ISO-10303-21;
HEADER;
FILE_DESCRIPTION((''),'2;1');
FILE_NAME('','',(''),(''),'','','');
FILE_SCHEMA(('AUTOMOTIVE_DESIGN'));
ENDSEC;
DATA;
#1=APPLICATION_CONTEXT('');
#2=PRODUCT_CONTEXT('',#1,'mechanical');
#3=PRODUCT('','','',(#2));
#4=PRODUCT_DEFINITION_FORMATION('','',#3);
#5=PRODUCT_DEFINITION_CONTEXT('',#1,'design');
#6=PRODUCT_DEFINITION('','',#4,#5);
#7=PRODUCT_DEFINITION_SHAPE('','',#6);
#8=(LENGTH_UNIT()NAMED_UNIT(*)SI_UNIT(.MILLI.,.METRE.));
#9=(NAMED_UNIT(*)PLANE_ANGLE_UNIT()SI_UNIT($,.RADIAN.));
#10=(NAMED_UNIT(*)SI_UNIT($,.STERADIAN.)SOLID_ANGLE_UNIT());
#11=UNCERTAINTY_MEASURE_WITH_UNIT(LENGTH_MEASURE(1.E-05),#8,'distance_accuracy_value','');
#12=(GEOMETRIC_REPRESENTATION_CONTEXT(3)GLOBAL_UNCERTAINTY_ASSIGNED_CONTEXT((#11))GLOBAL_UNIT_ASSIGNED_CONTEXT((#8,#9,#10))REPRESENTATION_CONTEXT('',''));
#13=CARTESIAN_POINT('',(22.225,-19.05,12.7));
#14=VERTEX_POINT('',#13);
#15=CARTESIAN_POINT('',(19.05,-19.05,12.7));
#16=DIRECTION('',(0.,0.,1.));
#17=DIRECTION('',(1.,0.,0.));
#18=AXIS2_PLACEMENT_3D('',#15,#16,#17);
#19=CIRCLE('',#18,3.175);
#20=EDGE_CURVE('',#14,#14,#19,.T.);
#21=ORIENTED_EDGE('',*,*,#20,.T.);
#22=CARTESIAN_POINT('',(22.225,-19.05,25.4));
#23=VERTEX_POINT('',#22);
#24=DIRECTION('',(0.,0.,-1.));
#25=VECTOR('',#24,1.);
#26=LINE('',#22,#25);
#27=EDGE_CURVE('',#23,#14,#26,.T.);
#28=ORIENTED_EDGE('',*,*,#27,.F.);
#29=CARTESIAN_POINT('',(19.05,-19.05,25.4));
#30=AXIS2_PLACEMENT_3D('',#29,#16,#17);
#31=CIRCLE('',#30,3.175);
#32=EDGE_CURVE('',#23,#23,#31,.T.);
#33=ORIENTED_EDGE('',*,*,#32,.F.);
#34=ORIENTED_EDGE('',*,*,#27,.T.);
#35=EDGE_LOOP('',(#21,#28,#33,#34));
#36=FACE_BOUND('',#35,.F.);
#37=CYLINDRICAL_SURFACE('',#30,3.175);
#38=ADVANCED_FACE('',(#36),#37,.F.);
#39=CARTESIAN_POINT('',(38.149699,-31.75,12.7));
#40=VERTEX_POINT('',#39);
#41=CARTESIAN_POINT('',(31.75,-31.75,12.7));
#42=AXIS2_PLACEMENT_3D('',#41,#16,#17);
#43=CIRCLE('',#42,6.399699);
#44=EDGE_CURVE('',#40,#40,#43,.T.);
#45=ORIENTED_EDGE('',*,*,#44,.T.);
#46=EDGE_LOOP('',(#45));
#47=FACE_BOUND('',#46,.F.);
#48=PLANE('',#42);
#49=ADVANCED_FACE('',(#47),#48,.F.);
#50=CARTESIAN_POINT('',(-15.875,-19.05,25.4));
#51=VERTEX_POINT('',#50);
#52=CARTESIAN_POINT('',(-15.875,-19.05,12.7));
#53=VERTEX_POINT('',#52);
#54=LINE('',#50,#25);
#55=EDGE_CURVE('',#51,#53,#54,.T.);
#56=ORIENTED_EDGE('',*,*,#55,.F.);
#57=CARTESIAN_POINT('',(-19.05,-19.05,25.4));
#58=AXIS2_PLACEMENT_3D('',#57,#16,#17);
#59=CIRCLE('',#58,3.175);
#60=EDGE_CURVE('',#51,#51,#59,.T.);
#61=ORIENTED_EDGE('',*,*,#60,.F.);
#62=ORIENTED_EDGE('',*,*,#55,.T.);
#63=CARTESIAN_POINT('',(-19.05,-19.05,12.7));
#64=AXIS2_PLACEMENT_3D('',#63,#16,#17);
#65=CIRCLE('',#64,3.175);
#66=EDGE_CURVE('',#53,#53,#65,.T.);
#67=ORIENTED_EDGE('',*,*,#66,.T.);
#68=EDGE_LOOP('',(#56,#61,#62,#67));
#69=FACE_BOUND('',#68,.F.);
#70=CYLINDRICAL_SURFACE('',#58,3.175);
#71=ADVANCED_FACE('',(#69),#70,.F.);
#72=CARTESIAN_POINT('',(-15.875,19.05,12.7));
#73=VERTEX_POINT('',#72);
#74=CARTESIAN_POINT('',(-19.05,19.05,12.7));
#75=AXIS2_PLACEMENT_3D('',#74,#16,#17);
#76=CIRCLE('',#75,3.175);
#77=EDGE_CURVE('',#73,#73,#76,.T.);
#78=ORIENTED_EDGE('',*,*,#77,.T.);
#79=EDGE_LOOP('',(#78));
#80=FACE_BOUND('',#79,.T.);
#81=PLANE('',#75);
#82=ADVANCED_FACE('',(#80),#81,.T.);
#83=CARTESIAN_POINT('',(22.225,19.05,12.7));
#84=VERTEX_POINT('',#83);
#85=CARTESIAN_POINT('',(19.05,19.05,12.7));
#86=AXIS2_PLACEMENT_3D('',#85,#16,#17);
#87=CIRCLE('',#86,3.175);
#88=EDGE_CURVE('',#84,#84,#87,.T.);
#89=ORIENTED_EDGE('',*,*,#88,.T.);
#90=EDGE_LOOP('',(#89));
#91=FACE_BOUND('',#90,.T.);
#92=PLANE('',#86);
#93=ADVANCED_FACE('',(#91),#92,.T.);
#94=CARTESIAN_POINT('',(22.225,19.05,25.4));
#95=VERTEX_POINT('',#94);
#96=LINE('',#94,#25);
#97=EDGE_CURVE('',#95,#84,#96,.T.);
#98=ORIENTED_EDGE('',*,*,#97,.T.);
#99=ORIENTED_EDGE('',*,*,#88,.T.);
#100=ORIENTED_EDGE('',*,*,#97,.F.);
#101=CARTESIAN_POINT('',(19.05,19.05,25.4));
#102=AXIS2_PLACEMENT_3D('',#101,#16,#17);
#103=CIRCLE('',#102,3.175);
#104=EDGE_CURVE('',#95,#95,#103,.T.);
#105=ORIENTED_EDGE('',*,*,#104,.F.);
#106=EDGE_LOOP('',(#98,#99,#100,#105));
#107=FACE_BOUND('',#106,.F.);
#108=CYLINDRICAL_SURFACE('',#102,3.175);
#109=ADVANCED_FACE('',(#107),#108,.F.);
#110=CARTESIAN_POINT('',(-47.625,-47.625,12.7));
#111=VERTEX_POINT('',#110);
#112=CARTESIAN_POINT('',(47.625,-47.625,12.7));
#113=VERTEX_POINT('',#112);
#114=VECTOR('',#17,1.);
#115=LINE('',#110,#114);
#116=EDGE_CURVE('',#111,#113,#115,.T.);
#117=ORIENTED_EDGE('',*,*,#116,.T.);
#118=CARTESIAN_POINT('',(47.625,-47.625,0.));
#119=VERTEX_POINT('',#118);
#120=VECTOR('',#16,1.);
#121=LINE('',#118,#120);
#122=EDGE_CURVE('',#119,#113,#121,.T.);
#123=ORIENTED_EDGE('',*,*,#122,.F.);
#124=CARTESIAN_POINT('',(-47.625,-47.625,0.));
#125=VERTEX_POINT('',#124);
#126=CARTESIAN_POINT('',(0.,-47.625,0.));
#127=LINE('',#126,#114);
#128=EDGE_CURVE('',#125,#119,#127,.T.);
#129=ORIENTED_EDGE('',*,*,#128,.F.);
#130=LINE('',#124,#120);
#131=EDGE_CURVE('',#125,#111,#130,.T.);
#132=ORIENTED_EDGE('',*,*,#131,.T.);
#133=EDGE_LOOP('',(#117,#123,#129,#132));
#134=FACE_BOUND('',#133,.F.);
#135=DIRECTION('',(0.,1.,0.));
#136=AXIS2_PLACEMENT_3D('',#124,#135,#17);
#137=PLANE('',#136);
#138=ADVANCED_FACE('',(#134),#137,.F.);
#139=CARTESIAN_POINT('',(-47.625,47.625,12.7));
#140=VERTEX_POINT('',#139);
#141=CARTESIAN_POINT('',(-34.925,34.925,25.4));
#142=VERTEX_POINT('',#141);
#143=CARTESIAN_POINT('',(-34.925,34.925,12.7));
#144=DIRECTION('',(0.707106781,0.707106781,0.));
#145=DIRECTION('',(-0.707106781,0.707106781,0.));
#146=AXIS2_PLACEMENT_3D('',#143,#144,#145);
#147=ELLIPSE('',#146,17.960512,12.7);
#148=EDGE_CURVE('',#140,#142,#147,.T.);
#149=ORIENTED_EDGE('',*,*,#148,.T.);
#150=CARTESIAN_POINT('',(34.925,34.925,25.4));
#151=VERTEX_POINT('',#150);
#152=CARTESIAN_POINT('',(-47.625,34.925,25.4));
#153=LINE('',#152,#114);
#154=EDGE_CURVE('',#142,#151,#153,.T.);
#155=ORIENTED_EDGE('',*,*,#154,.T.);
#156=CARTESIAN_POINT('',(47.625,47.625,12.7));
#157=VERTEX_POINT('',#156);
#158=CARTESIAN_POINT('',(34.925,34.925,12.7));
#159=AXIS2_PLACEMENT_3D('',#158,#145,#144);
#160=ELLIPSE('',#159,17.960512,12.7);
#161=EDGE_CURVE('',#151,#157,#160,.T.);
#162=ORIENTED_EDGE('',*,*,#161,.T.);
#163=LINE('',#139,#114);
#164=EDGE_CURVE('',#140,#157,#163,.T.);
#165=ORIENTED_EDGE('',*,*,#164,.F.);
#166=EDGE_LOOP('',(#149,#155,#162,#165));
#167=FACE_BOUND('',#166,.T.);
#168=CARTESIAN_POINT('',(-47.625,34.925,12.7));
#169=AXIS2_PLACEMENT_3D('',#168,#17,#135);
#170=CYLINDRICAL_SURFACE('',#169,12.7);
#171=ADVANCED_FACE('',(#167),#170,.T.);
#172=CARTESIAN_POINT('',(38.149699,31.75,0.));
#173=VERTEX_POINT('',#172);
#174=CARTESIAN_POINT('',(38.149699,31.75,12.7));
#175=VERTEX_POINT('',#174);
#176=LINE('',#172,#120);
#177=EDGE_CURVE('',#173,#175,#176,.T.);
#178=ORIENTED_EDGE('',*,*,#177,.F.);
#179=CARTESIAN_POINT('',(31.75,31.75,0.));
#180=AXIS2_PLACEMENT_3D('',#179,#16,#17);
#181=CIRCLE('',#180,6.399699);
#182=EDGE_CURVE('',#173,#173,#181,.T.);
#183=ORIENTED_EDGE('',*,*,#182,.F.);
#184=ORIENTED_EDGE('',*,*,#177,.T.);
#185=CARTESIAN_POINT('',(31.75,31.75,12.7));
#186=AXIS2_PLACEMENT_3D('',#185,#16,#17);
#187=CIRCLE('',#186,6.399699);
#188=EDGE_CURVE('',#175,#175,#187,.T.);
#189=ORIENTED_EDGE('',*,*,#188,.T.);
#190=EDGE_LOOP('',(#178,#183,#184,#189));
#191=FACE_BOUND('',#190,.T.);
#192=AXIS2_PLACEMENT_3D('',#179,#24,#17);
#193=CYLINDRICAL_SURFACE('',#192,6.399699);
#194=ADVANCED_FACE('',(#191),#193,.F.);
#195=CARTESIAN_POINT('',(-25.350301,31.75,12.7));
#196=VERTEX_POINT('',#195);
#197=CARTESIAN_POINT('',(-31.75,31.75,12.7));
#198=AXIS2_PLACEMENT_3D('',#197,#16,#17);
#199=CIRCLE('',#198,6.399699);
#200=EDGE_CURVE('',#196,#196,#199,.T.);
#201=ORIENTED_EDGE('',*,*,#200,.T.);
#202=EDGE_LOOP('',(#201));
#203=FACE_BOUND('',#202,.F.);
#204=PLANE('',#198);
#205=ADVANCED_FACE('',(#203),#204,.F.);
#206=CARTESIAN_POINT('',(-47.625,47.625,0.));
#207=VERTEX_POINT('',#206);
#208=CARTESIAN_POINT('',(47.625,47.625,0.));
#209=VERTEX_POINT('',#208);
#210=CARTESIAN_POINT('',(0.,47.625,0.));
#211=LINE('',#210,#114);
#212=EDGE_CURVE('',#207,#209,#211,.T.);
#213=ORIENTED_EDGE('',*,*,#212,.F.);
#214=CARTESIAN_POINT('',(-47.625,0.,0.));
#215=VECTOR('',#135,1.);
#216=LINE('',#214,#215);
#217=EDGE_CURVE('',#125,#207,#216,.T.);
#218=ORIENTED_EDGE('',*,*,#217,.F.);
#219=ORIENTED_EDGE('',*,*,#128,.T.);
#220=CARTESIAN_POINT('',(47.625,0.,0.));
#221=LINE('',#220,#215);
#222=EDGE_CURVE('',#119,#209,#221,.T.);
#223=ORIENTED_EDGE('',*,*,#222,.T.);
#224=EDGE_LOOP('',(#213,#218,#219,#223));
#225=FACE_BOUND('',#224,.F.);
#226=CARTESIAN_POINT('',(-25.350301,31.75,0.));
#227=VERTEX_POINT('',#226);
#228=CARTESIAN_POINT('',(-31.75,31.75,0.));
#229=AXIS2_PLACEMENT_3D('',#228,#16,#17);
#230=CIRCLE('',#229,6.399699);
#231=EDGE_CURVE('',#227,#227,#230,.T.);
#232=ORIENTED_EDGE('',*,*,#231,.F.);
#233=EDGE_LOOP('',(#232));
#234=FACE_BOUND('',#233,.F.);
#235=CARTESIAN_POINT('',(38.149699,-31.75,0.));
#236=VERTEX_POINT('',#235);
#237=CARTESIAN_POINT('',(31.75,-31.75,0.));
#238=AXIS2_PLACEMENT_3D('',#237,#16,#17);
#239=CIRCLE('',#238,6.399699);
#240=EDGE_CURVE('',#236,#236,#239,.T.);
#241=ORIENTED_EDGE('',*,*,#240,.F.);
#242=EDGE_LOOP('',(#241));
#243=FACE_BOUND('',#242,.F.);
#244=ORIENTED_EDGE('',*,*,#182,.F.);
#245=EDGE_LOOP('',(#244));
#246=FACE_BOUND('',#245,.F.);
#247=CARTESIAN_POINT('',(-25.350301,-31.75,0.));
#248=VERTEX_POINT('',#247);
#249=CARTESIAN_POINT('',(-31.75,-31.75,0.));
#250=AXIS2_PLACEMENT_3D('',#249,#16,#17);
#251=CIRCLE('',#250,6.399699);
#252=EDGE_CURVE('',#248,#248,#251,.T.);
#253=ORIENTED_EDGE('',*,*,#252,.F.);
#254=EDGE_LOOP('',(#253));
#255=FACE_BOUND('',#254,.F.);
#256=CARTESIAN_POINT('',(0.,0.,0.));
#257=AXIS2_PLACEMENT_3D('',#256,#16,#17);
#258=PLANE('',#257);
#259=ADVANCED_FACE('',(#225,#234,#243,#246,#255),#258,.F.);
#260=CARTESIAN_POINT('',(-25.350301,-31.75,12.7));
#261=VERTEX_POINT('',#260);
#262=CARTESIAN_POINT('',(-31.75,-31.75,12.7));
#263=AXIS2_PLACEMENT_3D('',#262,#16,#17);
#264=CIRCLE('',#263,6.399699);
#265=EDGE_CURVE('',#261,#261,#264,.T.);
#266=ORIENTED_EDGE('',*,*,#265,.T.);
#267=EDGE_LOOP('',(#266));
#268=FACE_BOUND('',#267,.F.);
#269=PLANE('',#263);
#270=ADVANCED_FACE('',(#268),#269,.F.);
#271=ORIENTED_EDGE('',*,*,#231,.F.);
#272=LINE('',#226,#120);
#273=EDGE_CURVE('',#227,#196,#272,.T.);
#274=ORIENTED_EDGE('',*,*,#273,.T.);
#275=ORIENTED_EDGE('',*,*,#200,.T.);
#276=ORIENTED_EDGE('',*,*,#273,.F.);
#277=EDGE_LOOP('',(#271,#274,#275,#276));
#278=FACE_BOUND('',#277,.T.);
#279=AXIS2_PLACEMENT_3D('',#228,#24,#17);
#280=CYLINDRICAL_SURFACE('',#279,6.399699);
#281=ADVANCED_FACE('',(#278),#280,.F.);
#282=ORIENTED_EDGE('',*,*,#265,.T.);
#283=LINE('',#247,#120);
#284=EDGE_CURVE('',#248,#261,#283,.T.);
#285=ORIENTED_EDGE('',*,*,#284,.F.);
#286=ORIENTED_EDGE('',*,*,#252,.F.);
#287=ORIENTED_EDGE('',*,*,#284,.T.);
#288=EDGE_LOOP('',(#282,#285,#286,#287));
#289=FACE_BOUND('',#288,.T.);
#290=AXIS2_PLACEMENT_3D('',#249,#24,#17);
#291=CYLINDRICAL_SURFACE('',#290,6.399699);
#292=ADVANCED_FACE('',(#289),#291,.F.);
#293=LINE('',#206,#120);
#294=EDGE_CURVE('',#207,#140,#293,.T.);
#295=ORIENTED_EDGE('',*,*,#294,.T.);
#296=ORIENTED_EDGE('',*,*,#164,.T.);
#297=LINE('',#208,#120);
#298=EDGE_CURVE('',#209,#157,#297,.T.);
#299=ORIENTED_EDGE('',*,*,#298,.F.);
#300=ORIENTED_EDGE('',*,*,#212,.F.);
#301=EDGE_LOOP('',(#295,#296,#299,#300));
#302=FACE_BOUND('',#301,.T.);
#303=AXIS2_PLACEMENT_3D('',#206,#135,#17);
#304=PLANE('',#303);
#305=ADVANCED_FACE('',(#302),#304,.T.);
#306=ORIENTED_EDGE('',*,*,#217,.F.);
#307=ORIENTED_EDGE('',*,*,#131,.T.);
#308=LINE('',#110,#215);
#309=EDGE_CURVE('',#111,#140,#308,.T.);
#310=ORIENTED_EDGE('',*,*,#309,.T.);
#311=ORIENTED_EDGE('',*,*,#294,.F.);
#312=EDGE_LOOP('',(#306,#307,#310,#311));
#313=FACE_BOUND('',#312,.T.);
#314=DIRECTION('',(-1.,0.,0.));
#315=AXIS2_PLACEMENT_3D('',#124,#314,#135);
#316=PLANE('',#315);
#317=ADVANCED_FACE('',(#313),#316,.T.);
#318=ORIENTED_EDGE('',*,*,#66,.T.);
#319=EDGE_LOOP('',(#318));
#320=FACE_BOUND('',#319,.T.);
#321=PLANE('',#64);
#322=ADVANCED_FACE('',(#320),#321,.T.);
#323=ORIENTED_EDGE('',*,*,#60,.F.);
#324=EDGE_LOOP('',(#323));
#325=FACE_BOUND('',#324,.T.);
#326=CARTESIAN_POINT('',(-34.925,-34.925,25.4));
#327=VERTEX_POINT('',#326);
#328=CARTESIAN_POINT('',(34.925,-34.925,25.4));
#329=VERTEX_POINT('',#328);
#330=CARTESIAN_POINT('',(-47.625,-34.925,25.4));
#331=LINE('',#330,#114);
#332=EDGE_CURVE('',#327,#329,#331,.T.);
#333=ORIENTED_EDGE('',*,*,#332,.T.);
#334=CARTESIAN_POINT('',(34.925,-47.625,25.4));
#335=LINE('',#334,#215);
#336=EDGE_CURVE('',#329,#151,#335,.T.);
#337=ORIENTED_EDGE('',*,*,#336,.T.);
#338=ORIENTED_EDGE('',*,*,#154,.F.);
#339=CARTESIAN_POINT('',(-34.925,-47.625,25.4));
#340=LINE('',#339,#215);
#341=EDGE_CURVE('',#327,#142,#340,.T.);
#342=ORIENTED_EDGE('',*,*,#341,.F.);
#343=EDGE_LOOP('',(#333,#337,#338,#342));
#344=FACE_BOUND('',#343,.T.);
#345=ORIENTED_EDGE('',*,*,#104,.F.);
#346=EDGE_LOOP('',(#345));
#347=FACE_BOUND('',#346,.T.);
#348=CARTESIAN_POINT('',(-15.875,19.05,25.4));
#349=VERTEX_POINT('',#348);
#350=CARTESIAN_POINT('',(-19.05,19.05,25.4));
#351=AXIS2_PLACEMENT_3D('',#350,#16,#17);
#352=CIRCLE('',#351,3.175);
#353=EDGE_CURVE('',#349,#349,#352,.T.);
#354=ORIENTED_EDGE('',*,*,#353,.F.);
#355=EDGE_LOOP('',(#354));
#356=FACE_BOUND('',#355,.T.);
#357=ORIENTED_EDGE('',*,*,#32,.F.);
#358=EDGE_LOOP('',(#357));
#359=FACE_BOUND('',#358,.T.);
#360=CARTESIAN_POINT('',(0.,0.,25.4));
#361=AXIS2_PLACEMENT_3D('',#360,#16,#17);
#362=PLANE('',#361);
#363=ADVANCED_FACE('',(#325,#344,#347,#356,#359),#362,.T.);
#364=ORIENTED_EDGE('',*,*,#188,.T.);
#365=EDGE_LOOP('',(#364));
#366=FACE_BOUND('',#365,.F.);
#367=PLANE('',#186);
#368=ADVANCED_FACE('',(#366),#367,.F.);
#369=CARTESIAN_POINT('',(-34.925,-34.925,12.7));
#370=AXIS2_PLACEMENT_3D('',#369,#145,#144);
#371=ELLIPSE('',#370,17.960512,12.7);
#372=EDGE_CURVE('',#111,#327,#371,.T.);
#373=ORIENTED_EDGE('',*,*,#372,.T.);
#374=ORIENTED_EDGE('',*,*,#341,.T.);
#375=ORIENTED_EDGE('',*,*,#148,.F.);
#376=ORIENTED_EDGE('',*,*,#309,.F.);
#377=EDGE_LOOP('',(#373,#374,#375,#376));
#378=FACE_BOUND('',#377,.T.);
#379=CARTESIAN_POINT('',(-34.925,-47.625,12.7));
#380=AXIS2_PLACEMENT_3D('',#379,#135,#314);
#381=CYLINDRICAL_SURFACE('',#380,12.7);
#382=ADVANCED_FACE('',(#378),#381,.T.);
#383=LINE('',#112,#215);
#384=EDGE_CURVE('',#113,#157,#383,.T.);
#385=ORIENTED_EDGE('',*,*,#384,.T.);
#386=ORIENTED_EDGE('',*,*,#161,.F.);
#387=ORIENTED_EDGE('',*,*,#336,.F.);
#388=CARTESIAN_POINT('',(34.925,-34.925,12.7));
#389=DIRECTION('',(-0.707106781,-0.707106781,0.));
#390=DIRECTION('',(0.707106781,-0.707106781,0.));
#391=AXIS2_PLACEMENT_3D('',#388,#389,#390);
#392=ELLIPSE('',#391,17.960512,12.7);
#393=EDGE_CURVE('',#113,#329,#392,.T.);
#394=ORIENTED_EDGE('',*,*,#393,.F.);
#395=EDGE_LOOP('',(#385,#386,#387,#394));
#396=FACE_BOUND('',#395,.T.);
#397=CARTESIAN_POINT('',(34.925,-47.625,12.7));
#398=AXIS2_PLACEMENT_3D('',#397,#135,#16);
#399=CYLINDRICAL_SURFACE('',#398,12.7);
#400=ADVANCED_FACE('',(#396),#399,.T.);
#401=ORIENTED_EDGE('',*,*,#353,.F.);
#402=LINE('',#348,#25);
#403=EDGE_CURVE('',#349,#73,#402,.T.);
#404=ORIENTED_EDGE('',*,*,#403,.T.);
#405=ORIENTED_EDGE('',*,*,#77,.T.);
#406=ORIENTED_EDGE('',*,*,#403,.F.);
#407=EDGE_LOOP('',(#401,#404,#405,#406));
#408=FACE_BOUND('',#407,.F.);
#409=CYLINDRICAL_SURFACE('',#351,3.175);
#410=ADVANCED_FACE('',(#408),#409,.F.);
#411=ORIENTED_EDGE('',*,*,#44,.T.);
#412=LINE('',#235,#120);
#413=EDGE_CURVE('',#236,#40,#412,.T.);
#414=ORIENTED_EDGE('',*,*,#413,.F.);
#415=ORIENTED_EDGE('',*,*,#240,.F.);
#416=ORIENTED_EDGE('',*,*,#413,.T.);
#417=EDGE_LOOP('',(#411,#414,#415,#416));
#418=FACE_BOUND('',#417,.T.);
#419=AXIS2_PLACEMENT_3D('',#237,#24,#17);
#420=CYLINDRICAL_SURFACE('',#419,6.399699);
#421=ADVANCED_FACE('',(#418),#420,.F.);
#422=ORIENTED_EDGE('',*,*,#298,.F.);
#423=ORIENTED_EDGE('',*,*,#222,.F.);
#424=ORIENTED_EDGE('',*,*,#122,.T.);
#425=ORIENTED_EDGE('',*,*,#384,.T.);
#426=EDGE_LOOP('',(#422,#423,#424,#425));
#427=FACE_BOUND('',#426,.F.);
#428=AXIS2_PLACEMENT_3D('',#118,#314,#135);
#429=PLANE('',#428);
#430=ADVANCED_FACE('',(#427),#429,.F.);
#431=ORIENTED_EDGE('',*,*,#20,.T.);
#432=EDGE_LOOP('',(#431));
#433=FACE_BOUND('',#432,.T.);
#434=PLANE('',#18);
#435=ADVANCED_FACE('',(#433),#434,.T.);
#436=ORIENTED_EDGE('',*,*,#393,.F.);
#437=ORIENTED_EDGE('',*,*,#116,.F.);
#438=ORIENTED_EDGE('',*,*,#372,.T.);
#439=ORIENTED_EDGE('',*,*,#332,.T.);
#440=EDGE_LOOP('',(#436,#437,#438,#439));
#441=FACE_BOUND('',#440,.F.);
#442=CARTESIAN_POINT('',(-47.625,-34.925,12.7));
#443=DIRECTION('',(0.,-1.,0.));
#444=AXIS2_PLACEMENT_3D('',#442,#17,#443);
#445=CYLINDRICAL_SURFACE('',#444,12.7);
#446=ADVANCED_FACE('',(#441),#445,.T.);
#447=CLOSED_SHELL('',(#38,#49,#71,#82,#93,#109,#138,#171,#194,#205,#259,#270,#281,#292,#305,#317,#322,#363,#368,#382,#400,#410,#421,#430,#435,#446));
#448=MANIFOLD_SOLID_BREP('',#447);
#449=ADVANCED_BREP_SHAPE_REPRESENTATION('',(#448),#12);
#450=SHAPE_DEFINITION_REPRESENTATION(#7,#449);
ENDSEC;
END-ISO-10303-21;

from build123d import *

# Parameters (mm, degrees)
F0_W     = 95.25
F0_H     = 95.25
F2_DEPTH = 25.4
F1_R     = 6.399699
F3_DEPTH = 12.7
F4_R     = 3.175
F5_DEPTH = 12.7
F6_R     = 12.7


with BuildPart() as f2:
    # F0 (on Top) → F2 (new body)
    with BuildSketch(Plane.XY):
        Rectangle(F0_W, F0_H)
    extrude(amount=F2_DEPTH)

    # F1 (on Top) → F3 (cut)
    with BuildSketch(Plane.XY):
        with Locations((-31.75, 31.75)):
            Circle(F1_R)
        with Locations((31.75, 31.75)):
            Circle(F1_R)
        with Locations((31.75, -31.75)):
            Circle(F1_R)
        with Locations((-31.75, -31.75)):
            Circle(F1_R)
    extrude(amount=F3_DEPTH, mode=Mode.SUBTRACT)

    # F4 (on face) → F5 (cut)
    with BuildSketch(Plane.XY.offset(25.4)):
        with Locations((-19.05, -19.05)):
            Circle(F4_R)
        with Locations((19.05, -19.05)):
            Circle(F4_R)
        with Locations((19.05, 19.05)):
            Circle(F4_R)
        with Locations((-19.05, 19.05)):
            Circle(F4_R)
    extrude(amount=-F5_DEPTH, mode=Mode.SUBTRACT)

    # F6
    f6_edges = [f2.edges().sort_by_distance(p)[0] for p in [
        (-47.625, 0, 25.4),
        (0, -47.625, 25.4),
        (47.625, 0, 25.4),
        (0, 47.625, 25.4),
    ]]
    fillet(f6_edges, radius=F6_R)


solid = f2.part
